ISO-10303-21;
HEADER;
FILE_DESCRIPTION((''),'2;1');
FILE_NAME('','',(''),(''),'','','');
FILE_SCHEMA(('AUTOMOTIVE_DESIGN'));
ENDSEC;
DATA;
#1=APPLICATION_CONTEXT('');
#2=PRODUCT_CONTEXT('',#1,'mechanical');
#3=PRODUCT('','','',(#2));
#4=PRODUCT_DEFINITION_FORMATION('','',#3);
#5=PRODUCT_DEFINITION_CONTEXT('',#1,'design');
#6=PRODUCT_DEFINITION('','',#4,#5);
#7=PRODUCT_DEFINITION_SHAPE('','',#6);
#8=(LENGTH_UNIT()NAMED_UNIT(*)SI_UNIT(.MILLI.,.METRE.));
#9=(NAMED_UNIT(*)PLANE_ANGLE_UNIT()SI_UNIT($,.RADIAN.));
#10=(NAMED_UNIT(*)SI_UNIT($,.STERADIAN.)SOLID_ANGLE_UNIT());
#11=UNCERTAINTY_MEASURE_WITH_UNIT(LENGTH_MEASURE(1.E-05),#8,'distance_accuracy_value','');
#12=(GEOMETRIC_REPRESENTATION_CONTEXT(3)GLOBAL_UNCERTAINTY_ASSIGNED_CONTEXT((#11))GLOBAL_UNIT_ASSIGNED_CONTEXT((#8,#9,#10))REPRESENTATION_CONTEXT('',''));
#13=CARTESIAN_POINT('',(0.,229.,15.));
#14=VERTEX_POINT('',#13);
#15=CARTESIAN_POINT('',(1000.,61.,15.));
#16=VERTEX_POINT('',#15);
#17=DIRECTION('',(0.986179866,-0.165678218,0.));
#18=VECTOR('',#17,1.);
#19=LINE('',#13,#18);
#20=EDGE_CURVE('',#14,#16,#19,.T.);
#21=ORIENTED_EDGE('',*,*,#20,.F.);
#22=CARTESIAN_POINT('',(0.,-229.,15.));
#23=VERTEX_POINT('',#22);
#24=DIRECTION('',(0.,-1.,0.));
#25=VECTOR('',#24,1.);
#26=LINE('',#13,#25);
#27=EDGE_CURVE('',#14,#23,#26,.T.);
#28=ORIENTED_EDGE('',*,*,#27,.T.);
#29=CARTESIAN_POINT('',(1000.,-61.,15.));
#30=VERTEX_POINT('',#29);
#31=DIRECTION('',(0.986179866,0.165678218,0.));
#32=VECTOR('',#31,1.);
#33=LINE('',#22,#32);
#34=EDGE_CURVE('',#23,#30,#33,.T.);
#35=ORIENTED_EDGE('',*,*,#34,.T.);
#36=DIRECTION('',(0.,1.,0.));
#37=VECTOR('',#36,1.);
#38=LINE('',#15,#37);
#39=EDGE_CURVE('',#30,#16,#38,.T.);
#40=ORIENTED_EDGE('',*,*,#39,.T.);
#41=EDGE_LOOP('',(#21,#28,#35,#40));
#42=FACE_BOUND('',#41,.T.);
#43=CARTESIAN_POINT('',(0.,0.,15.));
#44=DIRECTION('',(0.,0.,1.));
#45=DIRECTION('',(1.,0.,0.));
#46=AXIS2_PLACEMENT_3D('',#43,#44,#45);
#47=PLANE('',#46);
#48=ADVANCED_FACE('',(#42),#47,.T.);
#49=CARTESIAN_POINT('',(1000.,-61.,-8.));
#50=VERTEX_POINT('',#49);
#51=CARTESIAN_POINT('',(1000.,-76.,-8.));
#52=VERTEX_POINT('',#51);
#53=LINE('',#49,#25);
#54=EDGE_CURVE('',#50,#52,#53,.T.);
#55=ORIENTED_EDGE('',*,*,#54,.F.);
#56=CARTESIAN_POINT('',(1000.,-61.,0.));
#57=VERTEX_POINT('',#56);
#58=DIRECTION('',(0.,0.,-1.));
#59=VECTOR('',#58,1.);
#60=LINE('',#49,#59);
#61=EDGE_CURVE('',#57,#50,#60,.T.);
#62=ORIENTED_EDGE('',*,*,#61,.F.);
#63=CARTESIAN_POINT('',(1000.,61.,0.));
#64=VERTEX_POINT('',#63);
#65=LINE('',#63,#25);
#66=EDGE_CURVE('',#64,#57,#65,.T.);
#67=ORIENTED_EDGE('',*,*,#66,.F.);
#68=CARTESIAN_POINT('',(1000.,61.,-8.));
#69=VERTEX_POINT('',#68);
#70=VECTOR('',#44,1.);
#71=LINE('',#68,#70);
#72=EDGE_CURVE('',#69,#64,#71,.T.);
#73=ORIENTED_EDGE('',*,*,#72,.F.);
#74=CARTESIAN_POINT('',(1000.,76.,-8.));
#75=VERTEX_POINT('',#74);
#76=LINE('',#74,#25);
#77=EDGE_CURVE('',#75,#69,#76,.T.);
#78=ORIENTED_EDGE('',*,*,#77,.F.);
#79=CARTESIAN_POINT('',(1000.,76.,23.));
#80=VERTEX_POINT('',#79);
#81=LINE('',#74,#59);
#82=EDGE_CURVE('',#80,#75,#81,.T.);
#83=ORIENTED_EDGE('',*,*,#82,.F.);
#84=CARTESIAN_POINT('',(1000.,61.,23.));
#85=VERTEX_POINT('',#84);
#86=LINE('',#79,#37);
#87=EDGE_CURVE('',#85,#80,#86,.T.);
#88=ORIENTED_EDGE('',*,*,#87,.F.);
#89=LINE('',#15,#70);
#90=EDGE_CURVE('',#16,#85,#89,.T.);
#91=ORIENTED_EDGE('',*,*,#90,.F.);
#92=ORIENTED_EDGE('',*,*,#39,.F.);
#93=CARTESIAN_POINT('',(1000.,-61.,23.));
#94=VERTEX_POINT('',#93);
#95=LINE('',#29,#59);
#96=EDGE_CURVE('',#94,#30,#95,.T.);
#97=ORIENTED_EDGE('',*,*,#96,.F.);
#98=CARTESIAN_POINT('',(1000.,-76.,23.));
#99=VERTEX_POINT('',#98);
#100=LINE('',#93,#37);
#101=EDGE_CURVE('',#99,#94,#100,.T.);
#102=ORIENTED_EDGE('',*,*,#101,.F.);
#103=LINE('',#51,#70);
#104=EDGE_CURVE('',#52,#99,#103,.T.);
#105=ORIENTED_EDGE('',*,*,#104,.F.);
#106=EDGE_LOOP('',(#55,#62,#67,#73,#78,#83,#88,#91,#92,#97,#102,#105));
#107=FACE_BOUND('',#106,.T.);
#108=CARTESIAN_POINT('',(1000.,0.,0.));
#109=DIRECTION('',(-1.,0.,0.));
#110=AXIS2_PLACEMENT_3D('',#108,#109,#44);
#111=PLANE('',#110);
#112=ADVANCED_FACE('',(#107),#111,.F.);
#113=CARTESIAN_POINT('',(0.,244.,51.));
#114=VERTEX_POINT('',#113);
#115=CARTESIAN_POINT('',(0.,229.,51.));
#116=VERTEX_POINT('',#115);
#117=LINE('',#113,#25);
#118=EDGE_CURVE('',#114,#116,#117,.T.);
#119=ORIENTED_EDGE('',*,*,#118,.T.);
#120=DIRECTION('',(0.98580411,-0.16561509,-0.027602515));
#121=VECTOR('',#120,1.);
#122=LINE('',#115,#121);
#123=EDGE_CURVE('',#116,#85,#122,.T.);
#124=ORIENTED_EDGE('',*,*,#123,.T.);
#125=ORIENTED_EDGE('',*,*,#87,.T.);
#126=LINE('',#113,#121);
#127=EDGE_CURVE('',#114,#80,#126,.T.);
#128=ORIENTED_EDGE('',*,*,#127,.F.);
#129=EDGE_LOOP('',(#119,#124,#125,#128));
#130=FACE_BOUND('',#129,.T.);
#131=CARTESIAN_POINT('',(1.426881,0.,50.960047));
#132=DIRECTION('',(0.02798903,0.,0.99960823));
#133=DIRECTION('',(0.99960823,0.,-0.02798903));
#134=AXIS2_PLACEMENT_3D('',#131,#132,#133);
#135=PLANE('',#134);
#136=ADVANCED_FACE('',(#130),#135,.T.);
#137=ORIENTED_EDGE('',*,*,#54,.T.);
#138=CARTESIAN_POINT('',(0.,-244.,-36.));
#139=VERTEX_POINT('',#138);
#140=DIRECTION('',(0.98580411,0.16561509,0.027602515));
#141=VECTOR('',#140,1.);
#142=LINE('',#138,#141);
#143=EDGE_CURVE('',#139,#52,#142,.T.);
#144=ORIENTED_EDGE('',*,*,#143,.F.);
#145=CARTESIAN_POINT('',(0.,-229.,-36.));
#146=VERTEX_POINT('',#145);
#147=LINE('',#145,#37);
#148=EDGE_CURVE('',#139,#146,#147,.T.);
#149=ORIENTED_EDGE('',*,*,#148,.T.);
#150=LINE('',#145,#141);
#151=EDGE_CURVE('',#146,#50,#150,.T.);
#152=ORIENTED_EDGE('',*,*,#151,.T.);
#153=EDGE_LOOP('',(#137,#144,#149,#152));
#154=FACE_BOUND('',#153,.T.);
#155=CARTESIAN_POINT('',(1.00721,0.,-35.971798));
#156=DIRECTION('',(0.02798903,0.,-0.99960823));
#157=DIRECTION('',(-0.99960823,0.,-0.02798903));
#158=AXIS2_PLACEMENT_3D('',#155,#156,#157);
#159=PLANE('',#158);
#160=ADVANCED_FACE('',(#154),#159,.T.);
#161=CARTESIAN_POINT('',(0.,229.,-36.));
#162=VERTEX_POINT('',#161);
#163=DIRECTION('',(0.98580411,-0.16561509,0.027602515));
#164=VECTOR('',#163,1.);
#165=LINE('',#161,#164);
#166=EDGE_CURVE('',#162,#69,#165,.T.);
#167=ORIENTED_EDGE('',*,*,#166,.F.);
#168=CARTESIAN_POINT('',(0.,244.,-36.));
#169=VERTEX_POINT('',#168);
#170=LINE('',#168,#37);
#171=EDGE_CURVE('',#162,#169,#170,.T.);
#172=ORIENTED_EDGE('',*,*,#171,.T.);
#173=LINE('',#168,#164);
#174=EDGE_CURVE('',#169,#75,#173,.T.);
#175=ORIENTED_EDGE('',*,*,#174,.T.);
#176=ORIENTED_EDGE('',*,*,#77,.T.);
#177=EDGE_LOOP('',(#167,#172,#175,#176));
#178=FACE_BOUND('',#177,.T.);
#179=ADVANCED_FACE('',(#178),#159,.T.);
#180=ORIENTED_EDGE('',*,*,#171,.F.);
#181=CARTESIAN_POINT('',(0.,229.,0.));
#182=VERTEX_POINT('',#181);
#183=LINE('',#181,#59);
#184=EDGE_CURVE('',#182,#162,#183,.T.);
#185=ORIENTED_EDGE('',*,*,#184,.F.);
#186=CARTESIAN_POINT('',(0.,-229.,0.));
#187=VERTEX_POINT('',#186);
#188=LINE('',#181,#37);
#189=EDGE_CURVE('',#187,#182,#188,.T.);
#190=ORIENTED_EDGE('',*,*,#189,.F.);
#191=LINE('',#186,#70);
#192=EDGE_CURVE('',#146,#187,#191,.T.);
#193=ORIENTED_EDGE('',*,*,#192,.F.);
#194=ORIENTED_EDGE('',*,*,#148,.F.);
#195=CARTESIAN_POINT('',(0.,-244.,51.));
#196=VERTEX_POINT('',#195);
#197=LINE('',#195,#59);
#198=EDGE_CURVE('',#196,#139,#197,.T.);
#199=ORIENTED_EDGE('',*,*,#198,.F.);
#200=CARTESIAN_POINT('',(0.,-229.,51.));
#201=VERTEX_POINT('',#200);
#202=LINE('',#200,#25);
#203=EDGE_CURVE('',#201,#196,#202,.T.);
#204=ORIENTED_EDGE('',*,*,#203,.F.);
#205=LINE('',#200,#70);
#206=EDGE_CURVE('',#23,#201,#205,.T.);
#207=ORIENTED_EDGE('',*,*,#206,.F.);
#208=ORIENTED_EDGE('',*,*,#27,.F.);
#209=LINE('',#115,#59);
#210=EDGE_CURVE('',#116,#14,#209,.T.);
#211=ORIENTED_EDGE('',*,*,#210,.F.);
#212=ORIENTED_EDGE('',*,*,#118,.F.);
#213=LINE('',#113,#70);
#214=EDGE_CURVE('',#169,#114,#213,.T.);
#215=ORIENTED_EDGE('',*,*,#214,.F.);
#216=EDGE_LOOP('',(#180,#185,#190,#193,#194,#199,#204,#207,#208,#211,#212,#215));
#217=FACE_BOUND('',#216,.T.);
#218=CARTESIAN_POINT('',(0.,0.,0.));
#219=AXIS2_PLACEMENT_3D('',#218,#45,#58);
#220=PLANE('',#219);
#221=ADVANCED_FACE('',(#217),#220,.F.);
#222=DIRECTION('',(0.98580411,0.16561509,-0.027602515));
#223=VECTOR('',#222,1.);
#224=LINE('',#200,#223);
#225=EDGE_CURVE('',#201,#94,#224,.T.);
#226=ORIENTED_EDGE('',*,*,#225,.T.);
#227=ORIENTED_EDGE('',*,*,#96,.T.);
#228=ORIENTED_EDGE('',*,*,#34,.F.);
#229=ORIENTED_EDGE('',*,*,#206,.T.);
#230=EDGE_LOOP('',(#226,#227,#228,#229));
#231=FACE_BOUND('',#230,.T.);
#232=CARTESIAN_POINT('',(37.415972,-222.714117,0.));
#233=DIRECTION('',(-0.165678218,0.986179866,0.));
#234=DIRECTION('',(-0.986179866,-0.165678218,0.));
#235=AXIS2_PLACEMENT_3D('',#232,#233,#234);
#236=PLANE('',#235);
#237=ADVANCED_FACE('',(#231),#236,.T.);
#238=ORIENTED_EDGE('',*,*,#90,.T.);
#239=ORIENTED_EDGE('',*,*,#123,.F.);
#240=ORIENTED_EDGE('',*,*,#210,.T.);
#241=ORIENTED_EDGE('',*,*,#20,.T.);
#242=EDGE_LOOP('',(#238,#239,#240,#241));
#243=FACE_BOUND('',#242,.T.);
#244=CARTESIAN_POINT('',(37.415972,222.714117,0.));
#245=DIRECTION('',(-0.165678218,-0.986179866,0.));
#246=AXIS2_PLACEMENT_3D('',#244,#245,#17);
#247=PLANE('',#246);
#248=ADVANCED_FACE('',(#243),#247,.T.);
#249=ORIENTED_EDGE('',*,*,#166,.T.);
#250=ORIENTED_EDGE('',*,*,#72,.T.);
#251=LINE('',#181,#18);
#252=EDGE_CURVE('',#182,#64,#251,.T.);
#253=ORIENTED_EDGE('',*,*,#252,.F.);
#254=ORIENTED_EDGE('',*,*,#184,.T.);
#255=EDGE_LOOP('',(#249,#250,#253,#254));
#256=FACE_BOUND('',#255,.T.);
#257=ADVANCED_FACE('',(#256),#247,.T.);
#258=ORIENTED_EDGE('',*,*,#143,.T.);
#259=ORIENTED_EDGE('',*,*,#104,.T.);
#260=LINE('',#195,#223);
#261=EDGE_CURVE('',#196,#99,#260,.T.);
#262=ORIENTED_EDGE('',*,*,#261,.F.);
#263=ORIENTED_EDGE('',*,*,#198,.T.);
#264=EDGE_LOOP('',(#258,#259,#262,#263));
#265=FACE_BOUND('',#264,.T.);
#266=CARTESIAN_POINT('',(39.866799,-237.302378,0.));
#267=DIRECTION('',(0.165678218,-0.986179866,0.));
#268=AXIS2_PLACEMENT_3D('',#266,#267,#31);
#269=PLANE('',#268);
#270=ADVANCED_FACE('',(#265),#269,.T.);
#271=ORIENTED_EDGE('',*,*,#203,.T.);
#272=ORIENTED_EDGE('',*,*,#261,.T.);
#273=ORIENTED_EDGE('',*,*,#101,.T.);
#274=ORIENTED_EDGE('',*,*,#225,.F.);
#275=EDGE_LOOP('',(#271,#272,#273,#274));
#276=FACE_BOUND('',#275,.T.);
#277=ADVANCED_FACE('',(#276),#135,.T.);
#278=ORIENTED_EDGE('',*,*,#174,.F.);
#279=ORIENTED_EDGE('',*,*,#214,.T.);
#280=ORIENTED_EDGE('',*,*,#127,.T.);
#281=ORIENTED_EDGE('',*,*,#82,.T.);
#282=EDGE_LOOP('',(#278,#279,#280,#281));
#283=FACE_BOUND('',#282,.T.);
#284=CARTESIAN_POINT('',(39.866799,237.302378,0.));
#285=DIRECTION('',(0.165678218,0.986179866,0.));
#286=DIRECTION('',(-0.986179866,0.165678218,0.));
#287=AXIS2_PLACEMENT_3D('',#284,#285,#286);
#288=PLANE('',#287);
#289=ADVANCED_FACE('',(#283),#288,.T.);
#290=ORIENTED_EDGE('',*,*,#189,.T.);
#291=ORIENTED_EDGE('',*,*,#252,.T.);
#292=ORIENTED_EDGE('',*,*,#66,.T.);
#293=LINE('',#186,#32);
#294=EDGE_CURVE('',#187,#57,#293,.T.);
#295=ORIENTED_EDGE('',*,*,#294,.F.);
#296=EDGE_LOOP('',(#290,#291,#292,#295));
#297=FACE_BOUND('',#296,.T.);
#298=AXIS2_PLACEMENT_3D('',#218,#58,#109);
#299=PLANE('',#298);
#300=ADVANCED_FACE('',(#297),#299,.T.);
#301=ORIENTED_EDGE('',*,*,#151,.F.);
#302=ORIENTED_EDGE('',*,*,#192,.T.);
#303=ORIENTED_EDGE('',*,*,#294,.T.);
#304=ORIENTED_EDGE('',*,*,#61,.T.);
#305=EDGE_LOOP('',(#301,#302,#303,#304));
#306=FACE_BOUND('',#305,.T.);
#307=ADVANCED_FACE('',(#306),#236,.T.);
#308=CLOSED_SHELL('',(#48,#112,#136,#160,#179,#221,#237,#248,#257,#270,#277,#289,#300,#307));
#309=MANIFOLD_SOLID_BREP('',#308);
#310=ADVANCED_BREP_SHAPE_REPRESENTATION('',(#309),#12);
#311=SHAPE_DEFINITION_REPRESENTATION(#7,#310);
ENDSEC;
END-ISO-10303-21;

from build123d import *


with BuildPart() as part:
    # Sketch1 → Loft l4 section 0
    with BuildSketch(Plane(origin=(0, 0, 0), x_dir=(0, 0, -1), z_dir=(1, 0, 0))):
        Polygon((-51, 244), (36, 244), (36, 229), (0, 229), (0, -229), (36, -229), (36, -244), (-51, -244), (-51, -229), (-15, -229), (-15, 229), (-51, 229), align=None)
    # Sketch4 → Loft l4 section 1
    with BuildSketch(Plane(origin=(1000, 0, -1000), x_dir=(0, 0, 1), z_dir=(-1, 0, 0))):
        Polygon((992, 76), (1023, 76), (1023, 61), (1015, 61), (1015, -61), (1023, -61), (1023, -76), (992, -76), (992, -61), (1000, -61), (1000, 61), (992, 61), align=None)
    loft()


solid = part.part
